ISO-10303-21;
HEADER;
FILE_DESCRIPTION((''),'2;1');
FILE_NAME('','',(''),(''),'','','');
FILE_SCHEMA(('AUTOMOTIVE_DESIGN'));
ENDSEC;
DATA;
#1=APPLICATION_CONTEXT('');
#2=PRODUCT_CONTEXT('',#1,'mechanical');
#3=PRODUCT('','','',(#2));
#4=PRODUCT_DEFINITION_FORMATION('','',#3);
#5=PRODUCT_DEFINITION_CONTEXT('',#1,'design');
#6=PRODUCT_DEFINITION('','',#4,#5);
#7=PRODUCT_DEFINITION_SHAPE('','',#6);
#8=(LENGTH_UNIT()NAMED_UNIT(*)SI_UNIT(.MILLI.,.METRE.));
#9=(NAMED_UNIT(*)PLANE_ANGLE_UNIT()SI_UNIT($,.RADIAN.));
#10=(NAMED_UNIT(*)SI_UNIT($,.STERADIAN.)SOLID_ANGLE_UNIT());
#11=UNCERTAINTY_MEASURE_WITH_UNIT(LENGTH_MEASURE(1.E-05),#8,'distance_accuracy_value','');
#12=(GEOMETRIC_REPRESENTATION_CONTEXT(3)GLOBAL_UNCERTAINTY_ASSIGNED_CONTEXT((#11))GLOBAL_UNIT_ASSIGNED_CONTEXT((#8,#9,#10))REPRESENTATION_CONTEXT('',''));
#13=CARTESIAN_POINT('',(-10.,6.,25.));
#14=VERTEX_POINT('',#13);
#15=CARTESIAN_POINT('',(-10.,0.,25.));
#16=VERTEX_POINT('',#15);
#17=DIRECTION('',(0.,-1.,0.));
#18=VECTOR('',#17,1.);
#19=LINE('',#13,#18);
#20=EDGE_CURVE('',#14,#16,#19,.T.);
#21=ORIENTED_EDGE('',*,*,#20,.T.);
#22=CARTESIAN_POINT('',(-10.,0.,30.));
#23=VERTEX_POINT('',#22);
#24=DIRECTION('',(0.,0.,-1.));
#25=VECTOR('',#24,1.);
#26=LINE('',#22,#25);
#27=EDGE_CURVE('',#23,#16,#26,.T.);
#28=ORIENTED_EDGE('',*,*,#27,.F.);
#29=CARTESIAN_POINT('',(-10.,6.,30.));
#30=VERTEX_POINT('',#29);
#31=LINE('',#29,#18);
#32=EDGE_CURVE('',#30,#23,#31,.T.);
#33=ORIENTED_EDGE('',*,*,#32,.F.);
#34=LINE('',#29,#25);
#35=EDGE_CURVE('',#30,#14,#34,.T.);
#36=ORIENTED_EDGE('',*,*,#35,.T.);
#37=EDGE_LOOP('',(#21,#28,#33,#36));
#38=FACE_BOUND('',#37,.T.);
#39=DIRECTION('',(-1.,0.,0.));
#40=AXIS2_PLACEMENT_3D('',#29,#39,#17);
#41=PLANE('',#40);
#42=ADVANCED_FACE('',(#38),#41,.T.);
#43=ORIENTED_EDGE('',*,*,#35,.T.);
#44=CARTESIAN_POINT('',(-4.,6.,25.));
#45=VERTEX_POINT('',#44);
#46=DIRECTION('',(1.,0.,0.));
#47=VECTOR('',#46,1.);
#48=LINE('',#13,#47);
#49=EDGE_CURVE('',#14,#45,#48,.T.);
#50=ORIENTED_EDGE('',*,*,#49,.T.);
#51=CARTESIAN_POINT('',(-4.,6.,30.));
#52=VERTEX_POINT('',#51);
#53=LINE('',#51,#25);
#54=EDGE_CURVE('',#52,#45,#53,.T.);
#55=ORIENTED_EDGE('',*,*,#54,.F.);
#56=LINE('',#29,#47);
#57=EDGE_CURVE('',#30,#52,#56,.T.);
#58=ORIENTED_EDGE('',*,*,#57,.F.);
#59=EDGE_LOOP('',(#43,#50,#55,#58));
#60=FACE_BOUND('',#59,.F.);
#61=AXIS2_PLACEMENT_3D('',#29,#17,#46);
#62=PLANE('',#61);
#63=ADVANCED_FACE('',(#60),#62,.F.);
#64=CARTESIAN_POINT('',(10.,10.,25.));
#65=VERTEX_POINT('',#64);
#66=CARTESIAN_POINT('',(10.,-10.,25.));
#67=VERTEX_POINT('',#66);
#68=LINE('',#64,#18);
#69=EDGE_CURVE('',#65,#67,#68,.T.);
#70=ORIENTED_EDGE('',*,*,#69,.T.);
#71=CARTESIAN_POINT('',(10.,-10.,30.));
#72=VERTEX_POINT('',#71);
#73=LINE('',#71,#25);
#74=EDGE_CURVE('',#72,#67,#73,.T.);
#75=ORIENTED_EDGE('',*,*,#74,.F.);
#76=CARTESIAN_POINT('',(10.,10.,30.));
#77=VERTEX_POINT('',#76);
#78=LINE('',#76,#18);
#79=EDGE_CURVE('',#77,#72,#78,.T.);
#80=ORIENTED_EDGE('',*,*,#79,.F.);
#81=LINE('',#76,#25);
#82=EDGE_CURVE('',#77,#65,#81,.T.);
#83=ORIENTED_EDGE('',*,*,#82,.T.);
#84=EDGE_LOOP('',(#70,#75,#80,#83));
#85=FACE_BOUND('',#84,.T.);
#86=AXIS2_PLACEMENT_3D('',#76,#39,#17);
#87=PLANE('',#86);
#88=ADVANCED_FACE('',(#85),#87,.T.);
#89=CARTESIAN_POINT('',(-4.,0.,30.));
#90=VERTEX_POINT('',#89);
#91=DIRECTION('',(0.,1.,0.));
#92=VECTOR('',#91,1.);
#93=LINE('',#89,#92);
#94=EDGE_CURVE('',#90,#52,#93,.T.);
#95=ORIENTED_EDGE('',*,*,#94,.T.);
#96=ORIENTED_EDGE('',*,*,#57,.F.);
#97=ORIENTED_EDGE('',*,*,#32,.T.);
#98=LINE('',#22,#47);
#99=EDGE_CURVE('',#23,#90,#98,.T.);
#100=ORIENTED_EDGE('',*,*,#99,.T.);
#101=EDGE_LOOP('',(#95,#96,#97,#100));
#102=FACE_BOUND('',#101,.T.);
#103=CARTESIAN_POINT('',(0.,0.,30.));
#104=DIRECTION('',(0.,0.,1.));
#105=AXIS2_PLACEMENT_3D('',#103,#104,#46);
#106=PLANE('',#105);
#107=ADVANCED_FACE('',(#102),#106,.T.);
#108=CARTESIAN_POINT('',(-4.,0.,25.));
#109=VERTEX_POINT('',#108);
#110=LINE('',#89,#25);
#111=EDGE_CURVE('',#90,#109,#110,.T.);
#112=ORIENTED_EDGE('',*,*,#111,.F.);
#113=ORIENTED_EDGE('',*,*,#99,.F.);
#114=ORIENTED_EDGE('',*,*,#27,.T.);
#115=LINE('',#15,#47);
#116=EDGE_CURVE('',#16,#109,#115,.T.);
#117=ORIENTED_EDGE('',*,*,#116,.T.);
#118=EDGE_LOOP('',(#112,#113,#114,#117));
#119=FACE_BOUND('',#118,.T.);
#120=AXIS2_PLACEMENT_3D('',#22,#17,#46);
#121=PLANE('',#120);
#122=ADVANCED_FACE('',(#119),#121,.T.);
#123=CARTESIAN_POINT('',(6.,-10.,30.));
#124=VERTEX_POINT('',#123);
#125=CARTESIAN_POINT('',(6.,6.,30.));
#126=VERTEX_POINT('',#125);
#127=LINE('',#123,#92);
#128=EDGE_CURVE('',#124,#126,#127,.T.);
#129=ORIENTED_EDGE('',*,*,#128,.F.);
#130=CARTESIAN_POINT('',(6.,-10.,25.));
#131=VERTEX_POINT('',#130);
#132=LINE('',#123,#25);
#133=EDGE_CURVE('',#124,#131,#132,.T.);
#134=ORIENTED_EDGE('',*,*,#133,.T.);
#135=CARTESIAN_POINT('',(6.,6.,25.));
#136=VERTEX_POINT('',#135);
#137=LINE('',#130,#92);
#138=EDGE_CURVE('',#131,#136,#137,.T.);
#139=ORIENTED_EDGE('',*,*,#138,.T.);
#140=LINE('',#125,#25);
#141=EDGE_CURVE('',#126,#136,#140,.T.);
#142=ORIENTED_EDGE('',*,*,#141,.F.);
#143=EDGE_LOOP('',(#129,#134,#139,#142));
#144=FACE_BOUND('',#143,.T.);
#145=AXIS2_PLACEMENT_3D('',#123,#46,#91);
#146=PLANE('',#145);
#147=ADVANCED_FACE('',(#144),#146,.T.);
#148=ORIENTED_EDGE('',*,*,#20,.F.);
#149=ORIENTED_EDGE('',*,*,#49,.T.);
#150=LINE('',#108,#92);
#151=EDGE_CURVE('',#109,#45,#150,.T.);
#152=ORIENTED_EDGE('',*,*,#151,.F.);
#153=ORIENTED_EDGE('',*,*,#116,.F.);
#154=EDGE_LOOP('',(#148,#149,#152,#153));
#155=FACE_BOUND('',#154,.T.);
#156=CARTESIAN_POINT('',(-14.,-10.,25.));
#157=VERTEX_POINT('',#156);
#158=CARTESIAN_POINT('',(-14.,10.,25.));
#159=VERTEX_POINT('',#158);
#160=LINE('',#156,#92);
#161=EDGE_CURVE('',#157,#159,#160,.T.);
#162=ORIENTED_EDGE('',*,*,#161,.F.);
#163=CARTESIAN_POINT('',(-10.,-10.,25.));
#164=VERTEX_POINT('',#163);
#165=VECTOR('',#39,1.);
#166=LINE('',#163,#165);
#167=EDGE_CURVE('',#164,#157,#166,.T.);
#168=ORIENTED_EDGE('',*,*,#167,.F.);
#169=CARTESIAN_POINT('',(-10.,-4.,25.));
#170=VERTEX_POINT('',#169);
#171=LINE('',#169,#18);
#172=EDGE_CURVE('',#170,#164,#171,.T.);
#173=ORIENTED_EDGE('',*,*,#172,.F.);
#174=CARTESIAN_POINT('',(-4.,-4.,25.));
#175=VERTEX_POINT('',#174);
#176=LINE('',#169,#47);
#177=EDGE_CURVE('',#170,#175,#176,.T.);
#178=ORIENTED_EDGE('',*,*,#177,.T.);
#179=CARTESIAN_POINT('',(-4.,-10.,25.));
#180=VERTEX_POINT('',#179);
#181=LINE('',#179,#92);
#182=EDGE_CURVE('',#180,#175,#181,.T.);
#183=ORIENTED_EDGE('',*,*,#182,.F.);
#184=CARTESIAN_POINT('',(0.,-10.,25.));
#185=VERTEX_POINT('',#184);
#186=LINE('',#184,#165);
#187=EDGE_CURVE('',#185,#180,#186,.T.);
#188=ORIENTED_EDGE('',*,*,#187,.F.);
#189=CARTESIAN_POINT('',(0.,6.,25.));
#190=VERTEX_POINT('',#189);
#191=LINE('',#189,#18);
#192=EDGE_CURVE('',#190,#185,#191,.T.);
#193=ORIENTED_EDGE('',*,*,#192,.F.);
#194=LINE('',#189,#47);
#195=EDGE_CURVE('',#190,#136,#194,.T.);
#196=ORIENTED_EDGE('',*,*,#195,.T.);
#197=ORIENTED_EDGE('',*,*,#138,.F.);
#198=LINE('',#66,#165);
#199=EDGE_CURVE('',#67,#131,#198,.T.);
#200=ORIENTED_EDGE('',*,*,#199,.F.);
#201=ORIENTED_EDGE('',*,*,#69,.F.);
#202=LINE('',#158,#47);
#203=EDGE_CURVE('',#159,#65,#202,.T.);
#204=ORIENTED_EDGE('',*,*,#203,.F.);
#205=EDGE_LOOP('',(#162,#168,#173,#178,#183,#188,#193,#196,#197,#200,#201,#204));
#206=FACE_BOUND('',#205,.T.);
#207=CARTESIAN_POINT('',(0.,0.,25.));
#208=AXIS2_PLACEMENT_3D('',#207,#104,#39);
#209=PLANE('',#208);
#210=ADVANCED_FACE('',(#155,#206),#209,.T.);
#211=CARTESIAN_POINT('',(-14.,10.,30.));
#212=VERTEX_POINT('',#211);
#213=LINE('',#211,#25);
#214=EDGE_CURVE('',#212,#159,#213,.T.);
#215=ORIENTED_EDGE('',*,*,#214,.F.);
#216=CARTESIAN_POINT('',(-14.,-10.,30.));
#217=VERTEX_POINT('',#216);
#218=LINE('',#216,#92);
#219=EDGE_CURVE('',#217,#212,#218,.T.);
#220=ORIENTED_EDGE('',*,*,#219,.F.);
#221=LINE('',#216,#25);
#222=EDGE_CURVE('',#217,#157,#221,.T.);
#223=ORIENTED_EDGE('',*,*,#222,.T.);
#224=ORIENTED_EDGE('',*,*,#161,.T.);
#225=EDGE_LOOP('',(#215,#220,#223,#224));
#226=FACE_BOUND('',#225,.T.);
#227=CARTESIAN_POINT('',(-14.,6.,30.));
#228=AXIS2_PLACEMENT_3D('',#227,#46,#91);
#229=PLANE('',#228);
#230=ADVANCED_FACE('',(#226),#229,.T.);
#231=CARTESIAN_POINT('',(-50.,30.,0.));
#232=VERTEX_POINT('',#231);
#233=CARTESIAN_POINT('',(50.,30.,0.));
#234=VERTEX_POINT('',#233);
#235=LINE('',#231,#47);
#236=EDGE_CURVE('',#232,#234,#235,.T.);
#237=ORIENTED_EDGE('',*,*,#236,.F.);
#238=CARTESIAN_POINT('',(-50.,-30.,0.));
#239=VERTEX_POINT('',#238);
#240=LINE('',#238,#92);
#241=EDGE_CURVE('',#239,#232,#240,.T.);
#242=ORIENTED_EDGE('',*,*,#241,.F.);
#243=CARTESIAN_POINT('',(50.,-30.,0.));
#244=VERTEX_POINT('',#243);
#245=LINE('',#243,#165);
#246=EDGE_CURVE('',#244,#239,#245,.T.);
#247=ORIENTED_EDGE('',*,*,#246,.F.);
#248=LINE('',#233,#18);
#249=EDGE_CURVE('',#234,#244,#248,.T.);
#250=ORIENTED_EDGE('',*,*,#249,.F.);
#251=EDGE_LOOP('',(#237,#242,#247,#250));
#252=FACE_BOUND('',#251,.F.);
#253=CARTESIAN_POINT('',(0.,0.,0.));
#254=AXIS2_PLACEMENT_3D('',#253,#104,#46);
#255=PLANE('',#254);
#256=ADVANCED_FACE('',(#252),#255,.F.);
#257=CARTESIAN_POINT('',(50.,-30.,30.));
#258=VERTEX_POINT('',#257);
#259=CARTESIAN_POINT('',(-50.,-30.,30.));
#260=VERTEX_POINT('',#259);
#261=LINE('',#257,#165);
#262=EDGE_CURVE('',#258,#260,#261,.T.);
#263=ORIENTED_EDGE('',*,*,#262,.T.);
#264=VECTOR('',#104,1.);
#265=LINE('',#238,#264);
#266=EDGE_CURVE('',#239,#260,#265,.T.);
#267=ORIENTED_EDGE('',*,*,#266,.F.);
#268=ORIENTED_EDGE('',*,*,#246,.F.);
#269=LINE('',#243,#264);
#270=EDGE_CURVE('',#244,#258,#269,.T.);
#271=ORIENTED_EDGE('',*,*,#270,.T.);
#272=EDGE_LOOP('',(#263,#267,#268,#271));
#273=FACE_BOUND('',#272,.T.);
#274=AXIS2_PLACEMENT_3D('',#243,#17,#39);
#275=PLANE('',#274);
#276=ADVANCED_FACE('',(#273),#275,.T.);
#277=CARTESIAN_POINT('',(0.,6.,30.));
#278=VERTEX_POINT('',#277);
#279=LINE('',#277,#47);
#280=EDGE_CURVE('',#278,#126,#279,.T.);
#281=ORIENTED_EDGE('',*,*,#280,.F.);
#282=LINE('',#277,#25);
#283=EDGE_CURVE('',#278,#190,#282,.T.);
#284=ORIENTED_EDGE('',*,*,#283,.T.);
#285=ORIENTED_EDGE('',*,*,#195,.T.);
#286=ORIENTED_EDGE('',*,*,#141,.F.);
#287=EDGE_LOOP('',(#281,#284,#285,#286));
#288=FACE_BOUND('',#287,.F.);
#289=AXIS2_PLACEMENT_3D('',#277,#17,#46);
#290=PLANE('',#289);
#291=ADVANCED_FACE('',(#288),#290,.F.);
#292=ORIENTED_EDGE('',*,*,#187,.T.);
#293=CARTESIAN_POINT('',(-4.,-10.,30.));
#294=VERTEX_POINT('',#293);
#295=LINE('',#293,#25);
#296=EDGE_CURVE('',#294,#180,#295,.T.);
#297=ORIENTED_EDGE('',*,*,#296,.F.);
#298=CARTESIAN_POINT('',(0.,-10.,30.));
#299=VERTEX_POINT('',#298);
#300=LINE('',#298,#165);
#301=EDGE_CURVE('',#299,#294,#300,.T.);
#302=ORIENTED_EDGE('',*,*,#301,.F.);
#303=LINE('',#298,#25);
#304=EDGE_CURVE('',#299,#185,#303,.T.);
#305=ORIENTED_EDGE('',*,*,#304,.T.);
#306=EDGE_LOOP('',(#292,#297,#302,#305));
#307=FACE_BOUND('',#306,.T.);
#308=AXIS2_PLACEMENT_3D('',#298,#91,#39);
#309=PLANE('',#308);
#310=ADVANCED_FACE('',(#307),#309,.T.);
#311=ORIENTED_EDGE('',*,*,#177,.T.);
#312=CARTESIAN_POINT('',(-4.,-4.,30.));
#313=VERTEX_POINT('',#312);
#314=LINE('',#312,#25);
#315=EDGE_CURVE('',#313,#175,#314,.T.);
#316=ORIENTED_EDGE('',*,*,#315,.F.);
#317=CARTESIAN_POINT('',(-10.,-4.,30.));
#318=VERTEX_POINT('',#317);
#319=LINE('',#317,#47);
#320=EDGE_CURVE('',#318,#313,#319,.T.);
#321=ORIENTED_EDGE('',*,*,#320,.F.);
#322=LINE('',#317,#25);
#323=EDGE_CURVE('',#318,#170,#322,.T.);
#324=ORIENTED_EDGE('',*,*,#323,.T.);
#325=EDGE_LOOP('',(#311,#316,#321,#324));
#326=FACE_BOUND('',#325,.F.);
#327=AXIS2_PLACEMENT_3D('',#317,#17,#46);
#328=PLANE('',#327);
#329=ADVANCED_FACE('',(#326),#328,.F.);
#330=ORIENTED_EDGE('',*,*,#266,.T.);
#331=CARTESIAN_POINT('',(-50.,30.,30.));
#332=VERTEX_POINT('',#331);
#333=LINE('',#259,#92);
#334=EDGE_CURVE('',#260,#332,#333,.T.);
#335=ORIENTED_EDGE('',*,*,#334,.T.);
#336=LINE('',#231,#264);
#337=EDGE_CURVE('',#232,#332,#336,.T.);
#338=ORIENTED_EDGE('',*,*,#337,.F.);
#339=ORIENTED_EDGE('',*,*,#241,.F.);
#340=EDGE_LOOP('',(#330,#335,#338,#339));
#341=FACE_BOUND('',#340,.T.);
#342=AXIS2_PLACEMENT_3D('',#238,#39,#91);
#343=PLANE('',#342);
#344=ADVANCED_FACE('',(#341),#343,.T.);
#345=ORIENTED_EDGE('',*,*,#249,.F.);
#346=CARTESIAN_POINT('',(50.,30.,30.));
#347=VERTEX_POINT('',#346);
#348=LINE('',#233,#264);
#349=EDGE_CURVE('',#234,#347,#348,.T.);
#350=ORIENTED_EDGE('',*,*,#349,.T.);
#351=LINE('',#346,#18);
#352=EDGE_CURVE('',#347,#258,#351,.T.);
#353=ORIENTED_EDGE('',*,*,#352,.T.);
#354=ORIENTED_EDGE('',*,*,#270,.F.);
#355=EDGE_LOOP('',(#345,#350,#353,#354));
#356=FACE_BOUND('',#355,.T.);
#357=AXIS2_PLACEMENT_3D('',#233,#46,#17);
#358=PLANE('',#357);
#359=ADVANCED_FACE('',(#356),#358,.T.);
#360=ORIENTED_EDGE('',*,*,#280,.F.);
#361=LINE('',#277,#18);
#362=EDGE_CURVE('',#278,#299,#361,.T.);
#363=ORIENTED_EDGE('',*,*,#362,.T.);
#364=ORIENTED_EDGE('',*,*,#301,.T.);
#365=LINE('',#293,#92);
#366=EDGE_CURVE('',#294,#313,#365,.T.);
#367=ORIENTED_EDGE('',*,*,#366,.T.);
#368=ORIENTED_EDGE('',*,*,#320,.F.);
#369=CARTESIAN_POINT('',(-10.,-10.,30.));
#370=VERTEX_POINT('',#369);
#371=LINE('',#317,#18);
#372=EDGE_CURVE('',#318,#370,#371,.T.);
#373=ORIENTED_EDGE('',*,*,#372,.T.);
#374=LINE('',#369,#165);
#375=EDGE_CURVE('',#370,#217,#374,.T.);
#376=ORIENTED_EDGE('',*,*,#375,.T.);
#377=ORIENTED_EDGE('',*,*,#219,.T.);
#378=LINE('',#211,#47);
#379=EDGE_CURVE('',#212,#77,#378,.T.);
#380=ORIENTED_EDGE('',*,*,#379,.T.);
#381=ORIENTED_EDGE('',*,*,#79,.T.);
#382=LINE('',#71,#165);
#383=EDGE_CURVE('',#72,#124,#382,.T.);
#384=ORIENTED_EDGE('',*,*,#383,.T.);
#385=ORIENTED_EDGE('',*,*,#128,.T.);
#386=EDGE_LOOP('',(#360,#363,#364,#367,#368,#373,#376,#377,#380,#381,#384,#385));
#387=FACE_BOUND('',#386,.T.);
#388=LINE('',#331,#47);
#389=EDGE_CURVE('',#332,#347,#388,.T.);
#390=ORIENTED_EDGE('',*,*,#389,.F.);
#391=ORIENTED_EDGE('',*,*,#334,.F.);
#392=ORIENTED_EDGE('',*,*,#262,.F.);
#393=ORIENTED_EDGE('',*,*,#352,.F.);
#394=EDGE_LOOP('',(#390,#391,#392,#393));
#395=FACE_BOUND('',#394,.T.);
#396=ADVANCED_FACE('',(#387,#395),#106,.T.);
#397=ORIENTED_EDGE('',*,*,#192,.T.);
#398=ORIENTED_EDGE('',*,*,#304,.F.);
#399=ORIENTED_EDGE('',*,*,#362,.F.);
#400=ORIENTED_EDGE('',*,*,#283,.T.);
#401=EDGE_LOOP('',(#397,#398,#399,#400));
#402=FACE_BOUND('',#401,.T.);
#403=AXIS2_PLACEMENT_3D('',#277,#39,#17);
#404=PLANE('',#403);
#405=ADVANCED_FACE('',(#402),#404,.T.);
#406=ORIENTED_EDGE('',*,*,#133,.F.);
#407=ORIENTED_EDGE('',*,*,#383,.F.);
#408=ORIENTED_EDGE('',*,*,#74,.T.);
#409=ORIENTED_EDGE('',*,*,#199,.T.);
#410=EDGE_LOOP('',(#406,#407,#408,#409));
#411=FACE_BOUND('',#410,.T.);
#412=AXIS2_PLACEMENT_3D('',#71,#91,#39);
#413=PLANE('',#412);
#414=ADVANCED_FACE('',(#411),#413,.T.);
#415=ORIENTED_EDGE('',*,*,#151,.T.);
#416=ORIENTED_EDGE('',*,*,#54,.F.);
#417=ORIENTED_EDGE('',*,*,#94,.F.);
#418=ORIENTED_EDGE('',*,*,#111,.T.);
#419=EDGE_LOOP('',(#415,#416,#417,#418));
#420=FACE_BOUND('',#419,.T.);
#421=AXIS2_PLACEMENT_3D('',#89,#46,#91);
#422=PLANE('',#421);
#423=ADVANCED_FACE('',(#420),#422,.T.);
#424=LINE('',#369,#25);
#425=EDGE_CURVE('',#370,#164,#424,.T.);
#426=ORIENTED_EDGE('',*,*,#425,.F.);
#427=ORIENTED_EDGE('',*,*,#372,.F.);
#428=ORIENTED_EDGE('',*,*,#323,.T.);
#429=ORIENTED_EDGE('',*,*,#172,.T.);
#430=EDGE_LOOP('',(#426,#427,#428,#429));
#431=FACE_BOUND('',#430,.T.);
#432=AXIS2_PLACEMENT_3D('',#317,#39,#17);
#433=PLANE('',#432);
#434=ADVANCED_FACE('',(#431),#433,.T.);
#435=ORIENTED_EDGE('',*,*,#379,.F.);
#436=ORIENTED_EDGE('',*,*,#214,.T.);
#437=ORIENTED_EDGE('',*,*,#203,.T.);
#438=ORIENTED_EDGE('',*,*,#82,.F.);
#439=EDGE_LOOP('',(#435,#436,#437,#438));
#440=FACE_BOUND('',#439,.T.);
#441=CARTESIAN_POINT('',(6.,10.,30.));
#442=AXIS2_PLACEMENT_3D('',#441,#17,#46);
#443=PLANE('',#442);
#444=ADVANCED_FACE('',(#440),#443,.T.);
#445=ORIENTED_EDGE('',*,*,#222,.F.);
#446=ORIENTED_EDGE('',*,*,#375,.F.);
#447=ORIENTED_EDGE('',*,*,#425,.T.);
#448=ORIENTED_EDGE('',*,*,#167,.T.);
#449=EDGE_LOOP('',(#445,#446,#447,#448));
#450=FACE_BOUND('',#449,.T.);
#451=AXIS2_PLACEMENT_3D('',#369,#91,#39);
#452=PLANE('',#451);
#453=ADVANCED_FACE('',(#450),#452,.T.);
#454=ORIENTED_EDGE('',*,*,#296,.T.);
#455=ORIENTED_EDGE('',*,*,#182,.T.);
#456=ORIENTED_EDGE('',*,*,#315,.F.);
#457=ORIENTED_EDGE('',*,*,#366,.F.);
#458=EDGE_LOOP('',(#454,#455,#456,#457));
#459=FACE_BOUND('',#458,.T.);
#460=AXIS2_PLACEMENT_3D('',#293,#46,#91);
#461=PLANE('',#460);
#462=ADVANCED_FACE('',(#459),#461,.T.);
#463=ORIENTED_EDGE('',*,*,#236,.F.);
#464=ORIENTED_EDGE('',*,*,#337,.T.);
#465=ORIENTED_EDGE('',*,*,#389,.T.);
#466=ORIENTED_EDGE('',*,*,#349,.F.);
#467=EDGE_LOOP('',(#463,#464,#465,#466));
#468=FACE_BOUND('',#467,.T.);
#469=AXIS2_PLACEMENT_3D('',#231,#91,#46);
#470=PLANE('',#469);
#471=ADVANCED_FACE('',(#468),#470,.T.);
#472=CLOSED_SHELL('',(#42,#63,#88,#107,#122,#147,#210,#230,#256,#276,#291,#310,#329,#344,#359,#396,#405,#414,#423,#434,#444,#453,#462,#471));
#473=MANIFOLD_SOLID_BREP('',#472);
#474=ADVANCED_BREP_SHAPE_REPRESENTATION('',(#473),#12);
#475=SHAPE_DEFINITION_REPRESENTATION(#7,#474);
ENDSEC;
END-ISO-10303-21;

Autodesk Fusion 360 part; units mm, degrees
sketch "Skizze1" plane through (0, 0, 0) normal (0, 0, 1) x (1, 0, 0)
  line L0 (50, -30) -> (-50, -30)
  line L1 (-50, -30) -> (-50, 30)
  line L2 (-50, 30) -> (50, 30)
  line L3 (50, 30) -> (50, -30)
  line L4 (50, -30) -> (-50, 30) construction
  line L5 (-50, -30) -> (50, 30) construction
  dimension "d1" = 100
  dimension "d2" = 60
extrude "Extrusion1" add sketch "Skizze1" along normal blind 30
sketch "Skizze2" plane through (0, 0, 30) normal (0, 0, 1) x (-1, 0, 0)
  line L0 (-50, -30) -> (50, -30)
  line L1 (50, -30) -> (50, 30)
  line L2 (50, 30) -> (-50, 30)
  line L3 (-50, 30) -> (-50, -30)
  line L4 (10, 10) -> (14, 10)
  line L5 (14, 10) -> (14, -10)
  line L6 (14, -10) -> (10, -10)
  line L7 (0, -6) -> (0, 10)
  line L8 (4, -10) -> (0, -10)
  line L9 (0, 10) -> (4, 10)
  line L10 (-6, 10) -> (-6, -6)
  line L11 (-10, -10) -> (-10, 10)
  line L12 (-6, -10) -> (-10, -10)
  line L13 (-10, 10) -> (-6, 10)
  line L14 (14, -10) -> (-10, -10)
  line L15 (14, -10) -> (14, -6)
  line L16 (10, 0) -> (4, 0)
  line L17 (14, 0) -> (14, 4)
  line L18 (10, 4) -> (4, 4)
  line L19 (10, -6) -> (10, 0)
  line L20 (10, 4) -> (10, 10)
  line L21 (4, 10) -> (4, 4)
  line L22 (4, 0) -> (4, -6)
  line L23 (10, -6) -> (4, -6)
  line L24 (0, -6) -> (-6, -6)
  dimension "d5" = 4
  dimension "d10" = 4
  dimension "d11" = 4
extrude "Extrusion2" cut sketch "Skizze2" against normal blind 5 contours L4 L5 L6 L7 L8 L9 L10 L11 L12 L13 L14 L15 L17 L18 L20 L21 L24
